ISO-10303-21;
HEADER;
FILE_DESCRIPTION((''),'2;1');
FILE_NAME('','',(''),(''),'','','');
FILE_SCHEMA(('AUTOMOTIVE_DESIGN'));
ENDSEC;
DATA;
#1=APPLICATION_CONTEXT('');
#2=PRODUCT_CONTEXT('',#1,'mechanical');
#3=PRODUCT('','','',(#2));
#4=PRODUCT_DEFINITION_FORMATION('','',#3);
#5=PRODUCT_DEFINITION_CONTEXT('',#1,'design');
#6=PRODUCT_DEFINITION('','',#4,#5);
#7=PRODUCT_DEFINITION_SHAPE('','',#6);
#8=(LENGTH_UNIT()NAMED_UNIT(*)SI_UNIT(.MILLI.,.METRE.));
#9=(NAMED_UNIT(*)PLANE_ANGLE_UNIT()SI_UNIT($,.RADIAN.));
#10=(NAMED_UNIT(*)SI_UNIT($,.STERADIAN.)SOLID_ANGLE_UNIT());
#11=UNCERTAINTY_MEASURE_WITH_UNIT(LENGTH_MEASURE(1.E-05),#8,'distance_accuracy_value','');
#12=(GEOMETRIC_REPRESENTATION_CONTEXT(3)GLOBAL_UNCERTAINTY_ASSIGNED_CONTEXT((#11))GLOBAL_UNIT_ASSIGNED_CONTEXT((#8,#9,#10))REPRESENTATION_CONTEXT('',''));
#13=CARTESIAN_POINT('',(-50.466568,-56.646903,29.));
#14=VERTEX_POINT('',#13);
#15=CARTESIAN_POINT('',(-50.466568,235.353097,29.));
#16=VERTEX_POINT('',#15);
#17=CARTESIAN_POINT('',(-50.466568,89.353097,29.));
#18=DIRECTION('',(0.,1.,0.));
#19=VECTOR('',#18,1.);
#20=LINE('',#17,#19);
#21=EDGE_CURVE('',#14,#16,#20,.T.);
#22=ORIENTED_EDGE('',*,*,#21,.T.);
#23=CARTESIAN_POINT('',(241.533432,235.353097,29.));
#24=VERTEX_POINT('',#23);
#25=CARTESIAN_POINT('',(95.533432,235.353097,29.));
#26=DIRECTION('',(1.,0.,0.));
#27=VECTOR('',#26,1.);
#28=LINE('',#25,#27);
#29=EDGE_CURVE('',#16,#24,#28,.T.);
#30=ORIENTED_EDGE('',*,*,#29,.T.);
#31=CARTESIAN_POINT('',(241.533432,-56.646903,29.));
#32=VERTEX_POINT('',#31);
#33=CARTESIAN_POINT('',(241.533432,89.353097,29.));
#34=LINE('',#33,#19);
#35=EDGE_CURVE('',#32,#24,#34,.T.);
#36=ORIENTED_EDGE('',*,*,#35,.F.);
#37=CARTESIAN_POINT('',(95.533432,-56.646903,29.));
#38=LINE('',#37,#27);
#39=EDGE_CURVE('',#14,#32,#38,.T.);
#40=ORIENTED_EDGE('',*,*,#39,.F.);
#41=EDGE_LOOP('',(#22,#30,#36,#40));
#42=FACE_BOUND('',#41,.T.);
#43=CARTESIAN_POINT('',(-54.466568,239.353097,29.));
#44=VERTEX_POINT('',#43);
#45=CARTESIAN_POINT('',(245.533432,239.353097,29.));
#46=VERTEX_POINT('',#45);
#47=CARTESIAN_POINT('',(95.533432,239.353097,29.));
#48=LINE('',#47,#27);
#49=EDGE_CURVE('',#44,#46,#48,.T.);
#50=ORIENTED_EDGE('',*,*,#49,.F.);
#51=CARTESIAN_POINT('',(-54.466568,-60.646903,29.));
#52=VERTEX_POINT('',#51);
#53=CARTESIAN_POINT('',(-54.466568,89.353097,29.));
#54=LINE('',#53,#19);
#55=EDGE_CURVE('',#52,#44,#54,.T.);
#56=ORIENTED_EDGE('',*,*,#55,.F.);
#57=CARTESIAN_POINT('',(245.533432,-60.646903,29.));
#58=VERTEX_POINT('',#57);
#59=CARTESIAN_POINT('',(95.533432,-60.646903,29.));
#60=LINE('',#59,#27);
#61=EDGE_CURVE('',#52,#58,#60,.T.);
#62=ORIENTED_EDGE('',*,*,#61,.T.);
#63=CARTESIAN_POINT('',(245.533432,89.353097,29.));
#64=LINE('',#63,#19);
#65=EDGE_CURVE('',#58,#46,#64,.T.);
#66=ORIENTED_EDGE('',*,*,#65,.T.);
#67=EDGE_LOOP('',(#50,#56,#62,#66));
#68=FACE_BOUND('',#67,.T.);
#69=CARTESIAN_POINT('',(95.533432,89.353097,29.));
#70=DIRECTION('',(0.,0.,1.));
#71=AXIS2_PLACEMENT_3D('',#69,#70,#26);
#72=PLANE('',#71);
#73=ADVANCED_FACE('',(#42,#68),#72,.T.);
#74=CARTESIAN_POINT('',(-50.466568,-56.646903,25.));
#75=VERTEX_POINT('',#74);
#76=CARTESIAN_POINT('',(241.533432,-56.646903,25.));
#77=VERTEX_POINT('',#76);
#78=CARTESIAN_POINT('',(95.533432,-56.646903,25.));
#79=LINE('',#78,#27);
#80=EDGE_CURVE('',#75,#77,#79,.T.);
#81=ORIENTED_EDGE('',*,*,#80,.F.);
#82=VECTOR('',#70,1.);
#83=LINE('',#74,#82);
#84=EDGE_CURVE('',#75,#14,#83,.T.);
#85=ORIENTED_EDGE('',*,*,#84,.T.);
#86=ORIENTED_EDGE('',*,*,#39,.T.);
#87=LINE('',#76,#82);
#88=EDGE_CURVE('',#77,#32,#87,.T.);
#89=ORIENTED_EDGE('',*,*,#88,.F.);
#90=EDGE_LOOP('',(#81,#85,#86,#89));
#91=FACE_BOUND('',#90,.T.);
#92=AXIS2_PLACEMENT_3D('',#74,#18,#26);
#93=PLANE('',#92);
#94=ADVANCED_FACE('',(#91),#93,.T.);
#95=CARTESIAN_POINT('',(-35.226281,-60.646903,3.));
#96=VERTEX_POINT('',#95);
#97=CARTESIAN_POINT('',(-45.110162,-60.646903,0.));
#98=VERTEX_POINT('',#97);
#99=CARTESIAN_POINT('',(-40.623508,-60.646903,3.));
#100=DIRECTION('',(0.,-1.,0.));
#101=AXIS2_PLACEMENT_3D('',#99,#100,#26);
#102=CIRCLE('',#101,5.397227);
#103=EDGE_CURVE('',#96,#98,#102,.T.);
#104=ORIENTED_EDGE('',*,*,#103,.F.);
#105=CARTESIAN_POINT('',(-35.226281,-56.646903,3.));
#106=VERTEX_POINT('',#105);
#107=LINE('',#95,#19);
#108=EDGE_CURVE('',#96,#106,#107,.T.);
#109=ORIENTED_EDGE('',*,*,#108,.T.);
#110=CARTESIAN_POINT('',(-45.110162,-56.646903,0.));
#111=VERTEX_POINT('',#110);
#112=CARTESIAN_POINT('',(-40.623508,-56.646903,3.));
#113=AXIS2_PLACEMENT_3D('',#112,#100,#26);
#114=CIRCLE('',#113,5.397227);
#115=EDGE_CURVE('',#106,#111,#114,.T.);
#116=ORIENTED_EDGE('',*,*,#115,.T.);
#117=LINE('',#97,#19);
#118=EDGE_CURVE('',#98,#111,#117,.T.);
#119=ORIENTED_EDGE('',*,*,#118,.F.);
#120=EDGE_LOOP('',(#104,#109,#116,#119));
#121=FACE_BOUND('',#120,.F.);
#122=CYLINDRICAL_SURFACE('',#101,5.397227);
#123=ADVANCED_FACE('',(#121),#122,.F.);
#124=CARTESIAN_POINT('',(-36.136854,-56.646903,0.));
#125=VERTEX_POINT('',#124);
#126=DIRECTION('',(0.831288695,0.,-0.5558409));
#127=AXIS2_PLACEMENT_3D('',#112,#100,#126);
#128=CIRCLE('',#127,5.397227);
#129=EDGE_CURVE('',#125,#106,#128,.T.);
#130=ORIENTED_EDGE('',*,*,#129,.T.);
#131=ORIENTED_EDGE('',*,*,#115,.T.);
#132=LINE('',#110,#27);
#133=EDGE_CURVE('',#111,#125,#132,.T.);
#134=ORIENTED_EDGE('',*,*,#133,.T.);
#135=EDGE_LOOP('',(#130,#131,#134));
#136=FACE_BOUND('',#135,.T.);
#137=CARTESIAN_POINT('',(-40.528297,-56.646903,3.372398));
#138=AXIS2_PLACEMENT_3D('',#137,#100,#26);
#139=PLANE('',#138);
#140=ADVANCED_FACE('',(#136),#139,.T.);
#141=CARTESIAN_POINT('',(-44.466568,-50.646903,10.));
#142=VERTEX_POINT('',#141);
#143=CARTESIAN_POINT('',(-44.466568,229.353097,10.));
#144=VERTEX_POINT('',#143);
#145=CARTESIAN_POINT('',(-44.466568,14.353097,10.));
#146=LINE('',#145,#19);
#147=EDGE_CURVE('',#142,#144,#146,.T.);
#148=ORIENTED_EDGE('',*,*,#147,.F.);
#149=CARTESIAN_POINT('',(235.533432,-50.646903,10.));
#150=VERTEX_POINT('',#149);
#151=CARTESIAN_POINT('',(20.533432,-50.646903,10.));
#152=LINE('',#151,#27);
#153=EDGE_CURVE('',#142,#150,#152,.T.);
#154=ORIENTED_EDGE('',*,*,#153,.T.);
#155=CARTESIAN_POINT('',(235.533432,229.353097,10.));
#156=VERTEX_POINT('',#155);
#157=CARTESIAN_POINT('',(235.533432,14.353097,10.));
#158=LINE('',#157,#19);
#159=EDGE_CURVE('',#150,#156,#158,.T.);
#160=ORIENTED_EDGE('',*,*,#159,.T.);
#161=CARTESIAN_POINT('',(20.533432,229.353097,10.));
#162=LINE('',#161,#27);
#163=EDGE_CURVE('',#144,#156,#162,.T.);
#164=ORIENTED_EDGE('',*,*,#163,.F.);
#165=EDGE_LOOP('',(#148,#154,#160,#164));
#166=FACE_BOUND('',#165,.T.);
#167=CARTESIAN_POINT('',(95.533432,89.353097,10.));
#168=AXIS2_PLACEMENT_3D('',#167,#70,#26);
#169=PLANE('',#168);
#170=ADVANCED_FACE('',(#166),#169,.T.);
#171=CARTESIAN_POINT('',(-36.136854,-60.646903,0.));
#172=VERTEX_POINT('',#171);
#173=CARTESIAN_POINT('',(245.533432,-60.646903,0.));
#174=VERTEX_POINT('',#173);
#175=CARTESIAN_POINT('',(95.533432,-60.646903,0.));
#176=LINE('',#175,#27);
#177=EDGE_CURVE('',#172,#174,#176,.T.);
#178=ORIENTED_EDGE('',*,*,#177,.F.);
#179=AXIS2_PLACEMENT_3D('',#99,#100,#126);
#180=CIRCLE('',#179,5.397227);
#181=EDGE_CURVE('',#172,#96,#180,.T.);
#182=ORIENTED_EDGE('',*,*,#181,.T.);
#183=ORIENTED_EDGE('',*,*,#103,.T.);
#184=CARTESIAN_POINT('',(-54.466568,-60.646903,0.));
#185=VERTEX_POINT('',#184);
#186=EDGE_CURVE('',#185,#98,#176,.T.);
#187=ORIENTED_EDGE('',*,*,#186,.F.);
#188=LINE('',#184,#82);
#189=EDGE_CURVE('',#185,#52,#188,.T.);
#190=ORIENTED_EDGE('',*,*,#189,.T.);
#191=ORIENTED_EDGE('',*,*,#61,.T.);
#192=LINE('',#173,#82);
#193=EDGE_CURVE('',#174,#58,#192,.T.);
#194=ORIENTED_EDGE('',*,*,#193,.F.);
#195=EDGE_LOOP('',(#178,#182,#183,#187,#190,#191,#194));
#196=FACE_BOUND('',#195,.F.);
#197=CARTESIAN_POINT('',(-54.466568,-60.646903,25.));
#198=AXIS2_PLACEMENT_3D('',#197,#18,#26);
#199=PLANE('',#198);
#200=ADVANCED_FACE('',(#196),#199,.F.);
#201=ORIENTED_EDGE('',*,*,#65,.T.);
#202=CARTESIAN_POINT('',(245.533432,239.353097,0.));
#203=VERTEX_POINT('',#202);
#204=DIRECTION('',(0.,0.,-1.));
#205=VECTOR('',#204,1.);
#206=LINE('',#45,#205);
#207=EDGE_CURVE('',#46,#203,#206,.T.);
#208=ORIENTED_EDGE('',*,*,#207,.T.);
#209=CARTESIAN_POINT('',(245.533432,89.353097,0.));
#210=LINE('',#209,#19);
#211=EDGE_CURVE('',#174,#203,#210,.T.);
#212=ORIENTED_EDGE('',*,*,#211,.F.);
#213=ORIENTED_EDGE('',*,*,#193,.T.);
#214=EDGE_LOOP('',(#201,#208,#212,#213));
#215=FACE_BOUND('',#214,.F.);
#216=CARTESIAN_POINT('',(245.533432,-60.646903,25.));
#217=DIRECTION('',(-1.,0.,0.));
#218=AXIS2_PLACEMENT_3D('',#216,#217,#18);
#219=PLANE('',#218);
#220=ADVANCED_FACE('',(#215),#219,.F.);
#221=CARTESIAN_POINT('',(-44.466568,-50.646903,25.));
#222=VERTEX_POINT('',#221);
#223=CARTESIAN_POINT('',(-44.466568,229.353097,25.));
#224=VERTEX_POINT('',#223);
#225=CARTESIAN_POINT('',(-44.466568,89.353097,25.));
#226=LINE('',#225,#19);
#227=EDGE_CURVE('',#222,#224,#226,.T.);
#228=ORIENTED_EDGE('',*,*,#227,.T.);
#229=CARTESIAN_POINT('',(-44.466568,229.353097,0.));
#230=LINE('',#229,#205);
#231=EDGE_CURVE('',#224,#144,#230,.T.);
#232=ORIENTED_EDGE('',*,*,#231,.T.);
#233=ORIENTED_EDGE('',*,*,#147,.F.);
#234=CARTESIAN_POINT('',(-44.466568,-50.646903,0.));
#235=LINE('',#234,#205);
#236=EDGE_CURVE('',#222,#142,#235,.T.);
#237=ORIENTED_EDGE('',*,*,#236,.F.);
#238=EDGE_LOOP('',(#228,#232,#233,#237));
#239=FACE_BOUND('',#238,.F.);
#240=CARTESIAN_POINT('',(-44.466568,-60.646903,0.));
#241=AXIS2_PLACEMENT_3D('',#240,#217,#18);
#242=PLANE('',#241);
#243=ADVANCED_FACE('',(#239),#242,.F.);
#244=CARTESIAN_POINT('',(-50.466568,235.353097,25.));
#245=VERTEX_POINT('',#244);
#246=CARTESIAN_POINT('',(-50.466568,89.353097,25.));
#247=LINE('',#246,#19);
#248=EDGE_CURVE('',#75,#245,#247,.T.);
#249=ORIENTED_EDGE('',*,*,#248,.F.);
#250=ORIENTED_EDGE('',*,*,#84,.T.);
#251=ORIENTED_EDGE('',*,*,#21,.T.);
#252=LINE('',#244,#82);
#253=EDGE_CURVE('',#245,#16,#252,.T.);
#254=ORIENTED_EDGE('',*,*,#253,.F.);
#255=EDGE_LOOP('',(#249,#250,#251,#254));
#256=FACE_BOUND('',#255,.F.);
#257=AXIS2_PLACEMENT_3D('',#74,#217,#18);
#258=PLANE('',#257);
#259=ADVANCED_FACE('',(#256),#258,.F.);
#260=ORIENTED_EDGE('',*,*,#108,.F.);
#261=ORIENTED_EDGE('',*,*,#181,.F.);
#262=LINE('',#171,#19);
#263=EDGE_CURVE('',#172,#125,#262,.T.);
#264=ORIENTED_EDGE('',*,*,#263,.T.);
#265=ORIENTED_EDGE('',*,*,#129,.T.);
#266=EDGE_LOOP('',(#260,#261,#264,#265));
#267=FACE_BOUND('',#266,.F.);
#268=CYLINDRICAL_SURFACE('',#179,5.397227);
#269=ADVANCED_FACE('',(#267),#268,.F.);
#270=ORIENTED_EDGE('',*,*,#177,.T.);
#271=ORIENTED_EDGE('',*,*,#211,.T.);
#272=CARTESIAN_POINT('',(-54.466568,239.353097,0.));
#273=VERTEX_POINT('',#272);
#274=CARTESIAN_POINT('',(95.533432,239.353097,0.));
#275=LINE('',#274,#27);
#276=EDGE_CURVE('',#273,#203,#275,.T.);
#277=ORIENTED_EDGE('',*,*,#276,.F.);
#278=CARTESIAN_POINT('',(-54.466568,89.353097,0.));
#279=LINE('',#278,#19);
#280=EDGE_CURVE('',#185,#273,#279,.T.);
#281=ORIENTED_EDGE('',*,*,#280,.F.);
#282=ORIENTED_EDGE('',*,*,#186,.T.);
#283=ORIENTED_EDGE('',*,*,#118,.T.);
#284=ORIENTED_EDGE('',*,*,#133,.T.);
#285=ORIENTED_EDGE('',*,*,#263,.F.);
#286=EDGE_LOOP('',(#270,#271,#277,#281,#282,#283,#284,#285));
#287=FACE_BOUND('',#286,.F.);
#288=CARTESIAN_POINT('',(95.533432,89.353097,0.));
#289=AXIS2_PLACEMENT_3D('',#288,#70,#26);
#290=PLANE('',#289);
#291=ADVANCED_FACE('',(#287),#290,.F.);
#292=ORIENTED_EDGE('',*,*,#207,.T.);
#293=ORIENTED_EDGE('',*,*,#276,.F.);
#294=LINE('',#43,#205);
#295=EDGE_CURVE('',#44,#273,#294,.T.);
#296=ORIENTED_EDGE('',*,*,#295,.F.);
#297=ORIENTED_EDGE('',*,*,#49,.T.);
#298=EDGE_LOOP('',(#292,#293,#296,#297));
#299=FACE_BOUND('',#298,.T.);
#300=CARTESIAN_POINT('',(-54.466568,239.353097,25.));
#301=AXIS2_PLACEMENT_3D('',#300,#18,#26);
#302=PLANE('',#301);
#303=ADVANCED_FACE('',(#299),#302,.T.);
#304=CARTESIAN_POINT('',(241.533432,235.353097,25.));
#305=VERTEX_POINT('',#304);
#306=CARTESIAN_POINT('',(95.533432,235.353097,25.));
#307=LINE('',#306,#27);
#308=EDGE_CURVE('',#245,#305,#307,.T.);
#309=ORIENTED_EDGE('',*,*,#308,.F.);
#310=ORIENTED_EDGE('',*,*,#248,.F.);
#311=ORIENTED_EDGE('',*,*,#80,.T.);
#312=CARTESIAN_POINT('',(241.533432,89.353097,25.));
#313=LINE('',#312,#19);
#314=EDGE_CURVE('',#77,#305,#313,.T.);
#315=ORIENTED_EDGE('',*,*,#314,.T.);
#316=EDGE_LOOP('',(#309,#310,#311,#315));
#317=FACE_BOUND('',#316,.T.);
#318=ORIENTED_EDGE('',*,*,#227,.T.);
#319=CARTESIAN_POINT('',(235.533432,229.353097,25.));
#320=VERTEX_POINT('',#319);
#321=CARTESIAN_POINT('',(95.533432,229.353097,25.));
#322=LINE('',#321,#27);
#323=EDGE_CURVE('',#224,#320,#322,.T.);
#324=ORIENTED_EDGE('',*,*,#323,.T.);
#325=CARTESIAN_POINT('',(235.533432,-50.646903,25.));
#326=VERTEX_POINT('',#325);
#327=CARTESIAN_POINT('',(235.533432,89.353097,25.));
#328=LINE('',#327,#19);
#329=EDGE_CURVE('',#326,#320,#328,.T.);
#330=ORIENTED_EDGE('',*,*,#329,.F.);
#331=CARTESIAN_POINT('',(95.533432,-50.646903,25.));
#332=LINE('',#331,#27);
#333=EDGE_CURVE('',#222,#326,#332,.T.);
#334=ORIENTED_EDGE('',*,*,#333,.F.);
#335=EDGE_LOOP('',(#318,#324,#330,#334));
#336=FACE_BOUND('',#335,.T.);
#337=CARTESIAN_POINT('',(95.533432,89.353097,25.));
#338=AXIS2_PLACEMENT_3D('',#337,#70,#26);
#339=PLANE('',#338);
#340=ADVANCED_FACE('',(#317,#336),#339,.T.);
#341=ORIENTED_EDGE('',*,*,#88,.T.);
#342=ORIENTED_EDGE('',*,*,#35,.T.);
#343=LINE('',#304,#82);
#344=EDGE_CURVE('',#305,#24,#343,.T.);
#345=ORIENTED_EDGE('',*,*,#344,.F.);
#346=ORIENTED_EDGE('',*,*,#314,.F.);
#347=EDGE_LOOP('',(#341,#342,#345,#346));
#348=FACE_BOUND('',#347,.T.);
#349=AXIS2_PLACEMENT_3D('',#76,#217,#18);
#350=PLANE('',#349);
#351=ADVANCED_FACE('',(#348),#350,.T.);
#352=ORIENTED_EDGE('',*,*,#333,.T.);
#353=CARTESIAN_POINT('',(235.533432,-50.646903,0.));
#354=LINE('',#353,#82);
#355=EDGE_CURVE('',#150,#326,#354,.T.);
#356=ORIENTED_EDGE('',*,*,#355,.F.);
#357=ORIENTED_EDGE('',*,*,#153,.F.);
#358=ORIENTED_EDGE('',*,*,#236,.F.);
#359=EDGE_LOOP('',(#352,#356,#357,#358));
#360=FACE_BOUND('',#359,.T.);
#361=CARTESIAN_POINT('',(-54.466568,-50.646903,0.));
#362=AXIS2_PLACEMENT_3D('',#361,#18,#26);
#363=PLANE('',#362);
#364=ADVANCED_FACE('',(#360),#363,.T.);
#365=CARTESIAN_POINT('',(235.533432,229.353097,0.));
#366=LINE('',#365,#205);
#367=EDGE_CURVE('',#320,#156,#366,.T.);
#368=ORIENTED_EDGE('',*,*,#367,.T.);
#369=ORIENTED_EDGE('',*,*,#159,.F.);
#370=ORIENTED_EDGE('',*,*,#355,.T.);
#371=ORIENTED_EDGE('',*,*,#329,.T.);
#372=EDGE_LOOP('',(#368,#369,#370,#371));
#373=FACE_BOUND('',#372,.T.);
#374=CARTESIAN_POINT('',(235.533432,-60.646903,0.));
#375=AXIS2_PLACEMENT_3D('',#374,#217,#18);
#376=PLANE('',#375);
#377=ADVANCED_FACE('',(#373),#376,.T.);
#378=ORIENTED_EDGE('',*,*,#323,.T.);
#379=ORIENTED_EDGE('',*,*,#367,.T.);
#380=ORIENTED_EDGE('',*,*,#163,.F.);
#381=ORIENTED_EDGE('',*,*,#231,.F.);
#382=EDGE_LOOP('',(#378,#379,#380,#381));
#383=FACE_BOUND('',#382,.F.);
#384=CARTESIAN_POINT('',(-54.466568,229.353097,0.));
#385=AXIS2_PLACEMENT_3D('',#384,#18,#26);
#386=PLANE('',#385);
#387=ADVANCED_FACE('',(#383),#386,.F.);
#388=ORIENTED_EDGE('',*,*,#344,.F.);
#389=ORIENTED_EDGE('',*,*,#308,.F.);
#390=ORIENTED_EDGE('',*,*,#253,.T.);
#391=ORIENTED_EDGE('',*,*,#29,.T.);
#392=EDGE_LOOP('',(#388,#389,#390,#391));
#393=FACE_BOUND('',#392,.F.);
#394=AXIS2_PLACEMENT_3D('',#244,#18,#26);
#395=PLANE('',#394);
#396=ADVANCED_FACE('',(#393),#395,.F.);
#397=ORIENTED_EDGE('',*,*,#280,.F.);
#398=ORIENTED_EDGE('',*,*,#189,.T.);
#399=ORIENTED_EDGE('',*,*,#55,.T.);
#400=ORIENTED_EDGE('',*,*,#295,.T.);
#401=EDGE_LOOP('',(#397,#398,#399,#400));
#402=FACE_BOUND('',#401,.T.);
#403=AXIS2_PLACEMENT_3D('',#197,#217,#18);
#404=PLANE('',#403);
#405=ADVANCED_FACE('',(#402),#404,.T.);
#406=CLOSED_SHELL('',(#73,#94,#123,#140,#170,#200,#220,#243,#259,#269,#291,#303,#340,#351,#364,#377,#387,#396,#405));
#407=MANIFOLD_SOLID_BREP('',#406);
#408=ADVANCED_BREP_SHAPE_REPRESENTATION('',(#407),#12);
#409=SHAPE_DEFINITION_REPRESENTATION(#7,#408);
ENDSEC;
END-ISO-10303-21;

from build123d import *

# Parameters (mm, degrees)
F0_W     = 300
F0_H     = 300
F1_DEPTH = 25
F3_T     = -10
F4_DEPTH = 4
F5_W     = 300
F5_H     = 300
F5_W_2   = 292
F5_H_2   = 292
F6_DEPTH = 4


with BuildPart() as f1:
    # F0 (on Top) → F1 (new body)
    with BuildSketch(Plane.XY):
        with Locations((95.5334320664, 89.3530972302)):
            Rectangle(F0_W, F0_H)
    extrude(amount=F1_DEPTH)

    # F3
    f3_openings = [f1.faces().sort_by_distance(p)[0] for p in [
        (95.533432, 89.353097, 25),
    ]]
    offset(amount=F3_T, openings=f3_openings)

    # F2 (on face) → F4 (cut)
    with BuildSketch(Plane.XZ.offset(60.6469027698)):
        with BuildLine():
            ThreePointArc((-36.1368541132, 0), (-35.4589387768, 1.4324265188), (-35.2262808864, 2.9999995604))
            ThreePointArc((-35.2262808864, 2.9999995604), (-42.1910810125, 8.1645687544), (-45.1101618284, 0))
            Line((-45.1101618284, 0), (-36.1368541132, 0))
        make_face()
    extrude(amount=-F4_DEPTH, mode=Mode.SUBTRACT)

    # F5 (on face) → F6 (join)
    with BuildSketch(Plane.XY.offset(25)):
        with Locations((95.5334320664, 89.3530972302)):
            Rectangle(F5_W, F5_H)
        with Locations((95.5334320664, 89.3530972302)):
            Rectangle(F5_W_2, F5_H_2, mode=Mode.SUBTRACT)
    extrude(amount=F6_DEPTH)


solid = f1.part
